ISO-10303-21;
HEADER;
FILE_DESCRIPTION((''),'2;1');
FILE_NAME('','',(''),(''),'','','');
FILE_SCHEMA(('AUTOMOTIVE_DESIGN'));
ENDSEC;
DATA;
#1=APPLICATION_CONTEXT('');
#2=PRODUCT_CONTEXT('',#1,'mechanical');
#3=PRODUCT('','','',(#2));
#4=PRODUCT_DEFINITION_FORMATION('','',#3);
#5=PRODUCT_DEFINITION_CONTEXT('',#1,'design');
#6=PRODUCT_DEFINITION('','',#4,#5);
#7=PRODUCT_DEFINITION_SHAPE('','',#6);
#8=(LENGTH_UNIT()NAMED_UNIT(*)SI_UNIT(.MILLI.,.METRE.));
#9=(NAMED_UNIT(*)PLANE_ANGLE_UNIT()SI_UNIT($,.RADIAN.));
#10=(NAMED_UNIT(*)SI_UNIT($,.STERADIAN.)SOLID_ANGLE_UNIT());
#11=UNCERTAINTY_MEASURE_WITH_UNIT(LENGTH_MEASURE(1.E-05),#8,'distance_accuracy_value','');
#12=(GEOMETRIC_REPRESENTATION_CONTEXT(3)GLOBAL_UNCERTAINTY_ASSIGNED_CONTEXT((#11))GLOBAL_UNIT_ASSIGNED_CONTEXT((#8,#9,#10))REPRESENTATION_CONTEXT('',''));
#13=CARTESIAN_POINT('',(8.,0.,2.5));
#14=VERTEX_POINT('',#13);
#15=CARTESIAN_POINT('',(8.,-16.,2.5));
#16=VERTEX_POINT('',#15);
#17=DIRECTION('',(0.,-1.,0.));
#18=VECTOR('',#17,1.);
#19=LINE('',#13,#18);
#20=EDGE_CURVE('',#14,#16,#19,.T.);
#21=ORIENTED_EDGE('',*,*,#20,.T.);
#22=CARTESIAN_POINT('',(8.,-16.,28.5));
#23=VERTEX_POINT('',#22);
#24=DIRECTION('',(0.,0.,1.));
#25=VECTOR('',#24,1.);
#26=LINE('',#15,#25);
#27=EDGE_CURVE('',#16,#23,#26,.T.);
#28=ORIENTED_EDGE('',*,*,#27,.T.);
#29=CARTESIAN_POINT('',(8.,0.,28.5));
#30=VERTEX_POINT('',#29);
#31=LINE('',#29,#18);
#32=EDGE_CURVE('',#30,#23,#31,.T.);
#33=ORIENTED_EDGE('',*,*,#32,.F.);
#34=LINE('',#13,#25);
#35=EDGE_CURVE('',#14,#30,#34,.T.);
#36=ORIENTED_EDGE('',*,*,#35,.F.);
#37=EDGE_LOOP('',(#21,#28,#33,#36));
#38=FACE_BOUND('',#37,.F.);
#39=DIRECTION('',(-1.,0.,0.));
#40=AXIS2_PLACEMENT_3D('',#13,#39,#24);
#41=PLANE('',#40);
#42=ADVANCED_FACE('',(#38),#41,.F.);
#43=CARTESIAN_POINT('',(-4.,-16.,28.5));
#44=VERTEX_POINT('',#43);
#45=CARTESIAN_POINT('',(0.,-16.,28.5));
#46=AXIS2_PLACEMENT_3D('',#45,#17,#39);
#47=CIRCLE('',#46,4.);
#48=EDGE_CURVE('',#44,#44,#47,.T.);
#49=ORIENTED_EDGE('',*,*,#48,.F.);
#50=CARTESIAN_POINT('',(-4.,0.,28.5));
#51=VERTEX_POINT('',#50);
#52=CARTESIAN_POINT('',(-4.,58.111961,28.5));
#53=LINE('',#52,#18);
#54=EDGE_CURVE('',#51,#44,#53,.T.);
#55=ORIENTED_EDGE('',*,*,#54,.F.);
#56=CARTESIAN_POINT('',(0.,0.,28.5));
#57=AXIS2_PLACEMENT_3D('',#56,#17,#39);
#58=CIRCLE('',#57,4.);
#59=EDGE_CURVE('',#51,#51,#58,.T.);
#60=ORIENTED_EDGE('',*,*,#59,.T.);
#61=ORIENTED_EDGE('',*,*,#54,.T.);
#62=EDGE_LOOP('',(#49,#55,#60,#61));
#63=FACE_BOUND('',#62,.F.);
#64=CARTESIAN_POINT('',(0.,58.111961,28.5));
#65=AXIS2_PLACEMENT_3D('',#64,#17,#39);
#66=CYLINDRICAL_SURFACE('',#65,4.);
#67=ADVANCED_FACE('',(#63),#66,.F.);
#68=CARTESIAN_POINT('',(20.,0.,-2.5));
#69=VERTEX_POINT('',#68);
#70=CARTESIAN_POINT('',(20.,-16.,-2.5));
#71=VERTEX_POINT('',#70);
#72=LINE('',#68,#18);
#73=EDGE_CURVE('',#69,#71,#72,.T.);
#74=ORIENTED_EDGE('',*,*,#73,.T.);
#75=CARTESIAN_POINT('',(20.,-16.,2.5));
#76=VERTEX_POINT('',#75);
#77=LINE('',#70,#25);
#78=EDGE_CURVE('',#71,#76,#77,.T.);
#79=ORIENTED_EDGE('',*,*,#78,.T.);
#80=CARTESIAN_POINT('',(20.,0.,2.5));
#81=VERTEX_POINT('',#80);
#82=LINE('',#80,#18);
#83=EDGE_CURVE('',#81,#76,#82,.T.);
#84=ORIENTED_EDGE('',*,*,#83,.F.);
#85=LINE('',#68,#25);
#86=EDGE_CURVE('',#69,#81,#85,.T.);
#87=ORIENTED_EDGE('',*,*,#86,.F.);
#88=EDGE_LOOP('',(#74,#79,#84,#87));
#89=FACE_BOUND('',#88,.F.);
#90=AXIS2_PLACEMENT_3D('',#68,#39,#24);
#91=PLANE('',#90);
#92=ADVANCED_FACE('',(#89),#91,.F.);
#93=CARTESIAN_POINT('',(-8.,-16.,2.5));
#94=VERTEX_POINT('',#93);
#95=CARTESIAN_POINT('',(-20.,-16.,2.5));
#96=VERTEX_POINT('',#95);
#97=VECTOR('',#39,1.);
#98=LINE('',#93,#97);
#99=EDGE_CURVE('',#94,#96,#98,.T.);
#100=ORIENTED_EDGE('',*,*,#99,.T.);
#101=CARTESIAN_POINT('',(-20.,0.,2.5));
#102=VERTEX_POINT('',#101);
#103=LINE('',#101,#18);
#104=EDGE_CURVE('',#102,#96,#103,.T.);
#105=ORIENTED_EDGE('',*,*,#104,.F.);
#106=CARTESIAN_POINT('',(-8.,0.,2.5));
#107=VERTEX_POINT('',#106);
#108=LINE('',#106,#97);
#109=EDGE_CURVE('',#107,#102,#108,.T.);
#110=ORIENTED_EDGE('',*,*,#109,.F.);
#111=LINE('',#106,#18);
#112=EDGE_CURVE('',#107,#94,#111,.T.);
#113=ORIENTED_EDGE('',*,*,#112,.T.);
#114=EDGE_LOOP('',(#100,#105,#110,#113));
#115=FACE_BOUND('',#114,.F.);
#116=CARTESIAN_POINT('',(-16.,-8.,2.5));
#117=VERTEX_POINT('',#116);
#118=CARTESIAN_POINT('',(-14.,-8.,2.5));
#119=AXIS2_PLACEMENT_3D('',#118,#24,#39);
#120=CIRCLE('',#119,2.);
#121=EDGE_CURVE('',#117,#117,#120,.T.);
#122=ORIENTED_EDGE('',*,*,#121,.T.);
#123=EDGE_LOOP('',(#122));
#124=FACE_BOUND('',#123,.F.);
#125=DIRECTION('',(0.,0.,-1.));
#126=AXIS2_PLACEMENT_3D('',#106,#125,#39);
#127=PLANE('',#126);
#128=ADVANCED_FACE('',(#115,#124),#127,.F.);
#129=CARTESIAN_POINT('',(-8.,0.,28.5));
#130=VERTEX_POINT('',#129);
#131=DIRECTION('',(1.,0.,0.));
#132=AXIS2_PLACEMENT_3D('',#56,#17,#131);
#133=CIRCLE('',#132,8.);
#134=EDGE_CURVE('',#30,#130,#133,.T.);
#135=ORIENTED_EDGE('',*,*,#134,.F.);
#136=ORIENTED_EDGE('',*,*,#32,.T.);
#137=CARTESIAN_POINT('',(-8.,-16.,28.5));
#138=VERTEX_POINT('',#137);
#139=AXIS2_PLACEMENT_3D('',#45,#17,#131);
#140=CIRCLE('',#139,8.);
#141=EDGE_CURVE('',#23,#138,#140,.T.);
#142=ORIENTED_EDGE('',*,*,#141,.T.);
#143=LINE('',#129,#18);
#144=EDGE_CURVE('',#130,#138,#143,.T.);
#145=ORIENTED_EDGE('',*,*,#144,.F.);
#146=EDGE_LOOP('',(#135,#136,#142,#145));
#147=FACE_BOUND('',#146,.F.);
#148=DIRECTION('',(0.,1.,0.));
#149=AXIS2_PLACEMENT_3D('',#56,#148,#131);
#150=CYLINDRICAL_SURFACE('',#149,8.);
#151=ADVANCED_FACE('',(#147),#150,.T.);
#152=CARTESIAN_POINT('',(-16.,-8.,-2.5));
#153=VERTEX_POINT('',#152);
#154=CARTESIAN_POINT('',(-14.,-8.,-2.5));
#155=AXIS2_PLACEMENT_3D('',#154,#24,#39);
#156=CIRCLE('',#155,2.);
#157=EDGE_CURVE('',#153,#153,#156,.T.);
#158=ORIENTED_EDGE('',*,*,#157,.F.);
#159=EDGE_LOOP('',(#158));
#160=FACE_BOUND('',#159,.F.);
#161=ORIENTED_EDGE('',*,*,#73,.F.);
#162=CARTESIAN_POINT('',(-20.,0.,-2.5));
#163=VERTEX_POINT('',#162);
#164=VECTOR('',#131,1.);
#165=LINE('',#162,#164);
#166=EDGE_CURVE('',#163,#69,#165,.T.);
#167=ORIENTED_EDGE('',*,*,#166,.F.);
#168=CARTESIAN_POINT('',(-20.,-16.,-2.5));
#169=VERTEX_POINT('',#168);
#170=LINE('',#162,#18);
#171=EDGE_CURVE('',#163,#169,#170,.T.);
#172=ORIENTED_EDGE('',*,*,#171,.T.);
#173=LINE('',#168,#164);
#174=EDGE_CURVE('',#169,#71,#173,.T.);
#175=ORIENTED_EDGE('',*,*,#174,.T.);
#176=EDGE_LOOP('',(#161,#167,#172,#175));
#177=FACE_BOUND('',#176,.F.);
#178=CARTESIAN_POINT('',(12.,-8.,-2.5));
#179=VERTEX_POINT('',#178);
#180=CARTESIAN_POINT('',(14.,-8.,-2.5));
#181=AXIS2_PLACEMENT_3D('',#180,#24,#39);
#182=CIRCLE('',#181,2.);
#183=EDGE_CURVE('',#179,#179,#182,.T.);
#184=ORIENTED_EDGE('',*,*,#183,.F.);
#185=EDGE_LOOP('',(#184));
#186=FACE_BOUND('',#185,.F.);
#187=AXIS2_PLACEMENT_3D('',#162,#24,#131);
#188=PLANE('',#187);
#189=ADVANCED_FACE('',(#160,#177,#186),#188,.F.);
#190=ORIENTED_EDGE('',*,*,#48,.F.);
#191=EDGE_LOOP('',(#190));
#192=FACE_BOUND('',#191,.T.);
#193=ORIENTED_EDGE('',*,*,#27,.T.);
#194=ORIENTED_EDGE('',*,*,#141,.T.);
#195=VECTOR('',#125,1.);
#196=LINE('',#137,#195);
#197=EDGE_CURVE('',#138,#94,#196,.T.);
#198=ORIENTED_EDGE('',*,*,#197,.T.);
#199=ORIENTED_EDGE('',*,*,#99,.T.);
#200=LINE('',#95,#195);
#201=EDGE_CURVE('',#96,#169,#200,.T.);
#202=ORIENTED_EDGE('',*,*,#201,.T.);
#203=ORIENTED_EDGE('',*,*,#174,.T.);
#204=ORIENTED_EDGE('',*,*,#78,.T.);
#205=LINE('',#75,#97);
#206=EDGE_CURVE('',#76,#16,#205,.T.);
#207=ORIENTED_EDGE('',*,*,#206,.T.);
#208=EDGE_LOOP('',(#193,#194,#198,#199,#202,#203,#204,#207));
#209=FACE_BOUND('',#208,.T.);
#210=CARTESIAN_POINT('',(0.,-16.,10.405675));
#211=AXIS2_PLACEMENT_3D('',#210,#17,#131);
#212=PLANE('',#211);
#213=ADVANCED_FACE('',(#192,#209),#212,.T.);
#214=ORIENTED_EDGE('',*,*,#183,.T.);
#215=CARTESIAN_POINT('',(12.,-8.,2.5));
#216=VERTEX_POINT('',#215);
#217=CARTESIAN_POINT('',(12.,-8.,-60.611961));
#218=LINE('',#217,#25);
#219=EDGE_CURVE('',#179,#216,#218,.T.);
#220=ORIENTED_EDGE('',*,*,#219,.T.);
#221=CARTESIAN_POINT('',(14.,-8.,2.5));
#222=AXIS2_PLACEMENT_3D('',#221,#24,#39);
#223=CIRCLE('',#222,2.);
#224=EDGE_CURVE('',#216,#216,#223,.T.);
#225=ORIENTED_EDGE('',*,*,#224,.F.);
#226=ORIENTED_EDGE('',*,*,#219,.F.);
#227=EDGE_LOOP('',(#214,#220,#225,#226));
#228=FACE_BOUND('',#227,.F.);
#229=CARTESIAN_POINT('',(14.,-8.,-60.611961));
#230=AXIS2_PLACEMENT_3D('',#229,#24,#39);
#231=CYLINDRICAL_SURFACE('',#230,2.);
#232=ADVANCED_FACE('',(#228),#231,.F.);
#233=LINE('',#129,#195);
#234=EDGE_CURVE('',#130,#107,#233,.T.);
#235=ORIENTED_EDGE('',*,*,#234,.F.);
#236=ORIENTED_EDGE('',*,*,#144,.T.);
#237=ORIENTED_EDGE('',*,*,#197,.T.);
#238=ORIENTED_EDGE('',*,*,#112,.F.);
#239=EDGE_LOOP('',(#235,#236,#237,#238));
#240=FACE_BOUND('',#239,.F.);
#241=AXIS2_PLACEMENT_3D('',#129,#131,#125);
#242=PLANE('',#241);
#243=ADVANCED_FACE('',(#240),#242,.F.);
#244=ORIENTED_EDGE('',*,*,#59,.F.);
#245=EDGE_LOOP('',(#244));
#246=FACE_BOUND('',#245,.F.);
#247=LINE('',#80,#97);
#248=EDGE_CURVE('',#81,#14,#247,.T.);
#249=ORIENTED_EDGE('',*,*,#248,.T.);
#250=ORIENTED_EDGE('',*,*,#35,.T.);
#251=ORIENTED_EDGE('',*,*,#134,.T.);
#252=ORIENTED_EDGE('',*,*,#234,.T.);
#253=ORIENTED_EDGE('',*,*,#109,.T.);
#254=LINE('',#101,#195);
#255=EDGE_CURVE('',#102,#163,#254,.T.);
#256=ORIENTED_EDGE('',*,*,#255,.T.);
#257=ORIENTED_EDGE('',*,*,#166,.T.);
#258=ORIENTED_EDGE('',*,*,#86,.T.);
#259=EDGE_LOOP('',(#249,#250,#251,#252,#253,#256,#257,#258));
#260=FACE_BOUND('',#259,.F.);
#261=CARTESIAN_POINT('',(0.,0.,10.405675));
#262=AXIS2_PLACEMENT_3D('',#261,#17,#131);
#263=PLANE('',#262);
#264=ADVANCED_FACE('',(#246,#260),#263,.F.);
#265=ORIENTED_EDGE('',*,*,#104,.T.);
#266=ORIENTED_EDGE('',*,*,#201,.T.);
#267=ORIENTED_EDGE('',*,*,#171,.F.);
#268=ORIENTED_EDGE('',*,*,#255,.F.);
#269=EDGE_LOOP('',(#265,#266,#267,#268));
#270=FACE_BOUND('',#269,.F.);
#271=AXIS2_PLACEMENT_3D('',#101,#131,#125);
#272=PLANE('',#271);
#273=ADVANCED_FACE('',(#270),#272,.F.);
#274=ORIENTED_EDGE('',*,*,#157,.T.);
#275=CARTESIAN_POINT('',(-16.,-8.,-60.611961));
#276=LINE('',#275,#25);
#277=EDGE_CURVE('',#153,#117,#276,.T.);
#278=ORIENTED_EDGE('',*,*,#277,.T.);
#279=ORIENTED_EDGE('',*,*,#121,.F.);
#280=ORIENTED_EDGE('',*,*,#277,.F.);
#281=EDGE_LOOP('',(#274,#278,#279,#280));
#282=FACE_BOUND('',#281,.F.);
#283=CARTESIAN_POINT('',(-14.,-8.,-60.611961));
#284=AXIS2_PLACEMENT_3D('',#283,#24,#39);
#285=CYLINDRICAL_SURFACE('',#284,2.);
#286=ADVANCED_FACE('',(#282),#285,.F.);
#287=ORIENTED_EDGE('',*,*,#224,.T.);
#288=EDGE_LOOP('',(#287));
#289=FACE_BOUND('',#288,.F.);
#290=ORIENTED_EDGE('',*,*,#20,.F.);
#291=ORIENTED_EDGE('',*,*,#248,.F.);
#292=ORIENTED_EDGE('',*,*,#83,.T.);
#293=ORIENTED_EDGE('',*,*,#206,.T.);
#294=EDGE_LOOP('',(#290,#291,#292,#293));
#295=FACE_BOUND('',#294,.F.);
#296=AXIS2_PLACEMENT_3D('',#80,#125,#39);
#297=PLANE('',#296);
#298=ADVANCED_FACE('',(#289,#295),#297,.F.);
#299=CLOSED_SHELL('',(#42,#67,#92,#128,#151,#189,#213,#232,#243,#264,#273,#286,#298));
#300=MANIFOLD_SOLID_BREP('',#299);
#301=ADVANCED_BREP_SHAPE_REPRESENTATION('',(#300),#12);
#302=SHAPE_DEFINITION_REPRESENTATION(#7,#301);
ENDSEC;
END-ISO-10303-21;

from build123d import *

# Parameters (mm, degrees)
F1_DEPTH = 16
F2_D     = 8
F4_D     = 4


with BuildPart() as f1:
    # F0 (on Front) → F1 (new body)
    with BuildSketch(Plane.XZ):
        with BuildLine():
            Line((-8, 2.5), (-20, 2.5))
            Line((-20, 2.5), (-20, -2.5))
            Line((-20, -2.5), (20, -2.5))
            Line((20, -2.5), (20, 2.5))
            Line((20, 2.5), (8, 2.5))
            Line((8, 2.5), (8, 28.5))
            ThreePointArc((8, 28.5), (0, 36.5), (-8, 28.5))
            Line((-8, 28.5), (-8, 2.5))
        make_face()
    extrude(amount=F1_DEPTH)

    # F2 (through all)
    with Locations(Plane(origin=(0, 0, 0), x_dir=(1, 0, 0), z_dir=(0, 1, 0))):
        with Locations((0, -28.5)):
            Hole(F2_D / 2)

    # F4 (through all)
    with Locations(Plane(origin=(0, 0, -2.5), x_dir=(1, 0, 0), z_dir=(0, 0, -1))):
        with Locations((-14, 8), (14, 8)):
            Hole(F4_D / 2)


solid = f1.part
